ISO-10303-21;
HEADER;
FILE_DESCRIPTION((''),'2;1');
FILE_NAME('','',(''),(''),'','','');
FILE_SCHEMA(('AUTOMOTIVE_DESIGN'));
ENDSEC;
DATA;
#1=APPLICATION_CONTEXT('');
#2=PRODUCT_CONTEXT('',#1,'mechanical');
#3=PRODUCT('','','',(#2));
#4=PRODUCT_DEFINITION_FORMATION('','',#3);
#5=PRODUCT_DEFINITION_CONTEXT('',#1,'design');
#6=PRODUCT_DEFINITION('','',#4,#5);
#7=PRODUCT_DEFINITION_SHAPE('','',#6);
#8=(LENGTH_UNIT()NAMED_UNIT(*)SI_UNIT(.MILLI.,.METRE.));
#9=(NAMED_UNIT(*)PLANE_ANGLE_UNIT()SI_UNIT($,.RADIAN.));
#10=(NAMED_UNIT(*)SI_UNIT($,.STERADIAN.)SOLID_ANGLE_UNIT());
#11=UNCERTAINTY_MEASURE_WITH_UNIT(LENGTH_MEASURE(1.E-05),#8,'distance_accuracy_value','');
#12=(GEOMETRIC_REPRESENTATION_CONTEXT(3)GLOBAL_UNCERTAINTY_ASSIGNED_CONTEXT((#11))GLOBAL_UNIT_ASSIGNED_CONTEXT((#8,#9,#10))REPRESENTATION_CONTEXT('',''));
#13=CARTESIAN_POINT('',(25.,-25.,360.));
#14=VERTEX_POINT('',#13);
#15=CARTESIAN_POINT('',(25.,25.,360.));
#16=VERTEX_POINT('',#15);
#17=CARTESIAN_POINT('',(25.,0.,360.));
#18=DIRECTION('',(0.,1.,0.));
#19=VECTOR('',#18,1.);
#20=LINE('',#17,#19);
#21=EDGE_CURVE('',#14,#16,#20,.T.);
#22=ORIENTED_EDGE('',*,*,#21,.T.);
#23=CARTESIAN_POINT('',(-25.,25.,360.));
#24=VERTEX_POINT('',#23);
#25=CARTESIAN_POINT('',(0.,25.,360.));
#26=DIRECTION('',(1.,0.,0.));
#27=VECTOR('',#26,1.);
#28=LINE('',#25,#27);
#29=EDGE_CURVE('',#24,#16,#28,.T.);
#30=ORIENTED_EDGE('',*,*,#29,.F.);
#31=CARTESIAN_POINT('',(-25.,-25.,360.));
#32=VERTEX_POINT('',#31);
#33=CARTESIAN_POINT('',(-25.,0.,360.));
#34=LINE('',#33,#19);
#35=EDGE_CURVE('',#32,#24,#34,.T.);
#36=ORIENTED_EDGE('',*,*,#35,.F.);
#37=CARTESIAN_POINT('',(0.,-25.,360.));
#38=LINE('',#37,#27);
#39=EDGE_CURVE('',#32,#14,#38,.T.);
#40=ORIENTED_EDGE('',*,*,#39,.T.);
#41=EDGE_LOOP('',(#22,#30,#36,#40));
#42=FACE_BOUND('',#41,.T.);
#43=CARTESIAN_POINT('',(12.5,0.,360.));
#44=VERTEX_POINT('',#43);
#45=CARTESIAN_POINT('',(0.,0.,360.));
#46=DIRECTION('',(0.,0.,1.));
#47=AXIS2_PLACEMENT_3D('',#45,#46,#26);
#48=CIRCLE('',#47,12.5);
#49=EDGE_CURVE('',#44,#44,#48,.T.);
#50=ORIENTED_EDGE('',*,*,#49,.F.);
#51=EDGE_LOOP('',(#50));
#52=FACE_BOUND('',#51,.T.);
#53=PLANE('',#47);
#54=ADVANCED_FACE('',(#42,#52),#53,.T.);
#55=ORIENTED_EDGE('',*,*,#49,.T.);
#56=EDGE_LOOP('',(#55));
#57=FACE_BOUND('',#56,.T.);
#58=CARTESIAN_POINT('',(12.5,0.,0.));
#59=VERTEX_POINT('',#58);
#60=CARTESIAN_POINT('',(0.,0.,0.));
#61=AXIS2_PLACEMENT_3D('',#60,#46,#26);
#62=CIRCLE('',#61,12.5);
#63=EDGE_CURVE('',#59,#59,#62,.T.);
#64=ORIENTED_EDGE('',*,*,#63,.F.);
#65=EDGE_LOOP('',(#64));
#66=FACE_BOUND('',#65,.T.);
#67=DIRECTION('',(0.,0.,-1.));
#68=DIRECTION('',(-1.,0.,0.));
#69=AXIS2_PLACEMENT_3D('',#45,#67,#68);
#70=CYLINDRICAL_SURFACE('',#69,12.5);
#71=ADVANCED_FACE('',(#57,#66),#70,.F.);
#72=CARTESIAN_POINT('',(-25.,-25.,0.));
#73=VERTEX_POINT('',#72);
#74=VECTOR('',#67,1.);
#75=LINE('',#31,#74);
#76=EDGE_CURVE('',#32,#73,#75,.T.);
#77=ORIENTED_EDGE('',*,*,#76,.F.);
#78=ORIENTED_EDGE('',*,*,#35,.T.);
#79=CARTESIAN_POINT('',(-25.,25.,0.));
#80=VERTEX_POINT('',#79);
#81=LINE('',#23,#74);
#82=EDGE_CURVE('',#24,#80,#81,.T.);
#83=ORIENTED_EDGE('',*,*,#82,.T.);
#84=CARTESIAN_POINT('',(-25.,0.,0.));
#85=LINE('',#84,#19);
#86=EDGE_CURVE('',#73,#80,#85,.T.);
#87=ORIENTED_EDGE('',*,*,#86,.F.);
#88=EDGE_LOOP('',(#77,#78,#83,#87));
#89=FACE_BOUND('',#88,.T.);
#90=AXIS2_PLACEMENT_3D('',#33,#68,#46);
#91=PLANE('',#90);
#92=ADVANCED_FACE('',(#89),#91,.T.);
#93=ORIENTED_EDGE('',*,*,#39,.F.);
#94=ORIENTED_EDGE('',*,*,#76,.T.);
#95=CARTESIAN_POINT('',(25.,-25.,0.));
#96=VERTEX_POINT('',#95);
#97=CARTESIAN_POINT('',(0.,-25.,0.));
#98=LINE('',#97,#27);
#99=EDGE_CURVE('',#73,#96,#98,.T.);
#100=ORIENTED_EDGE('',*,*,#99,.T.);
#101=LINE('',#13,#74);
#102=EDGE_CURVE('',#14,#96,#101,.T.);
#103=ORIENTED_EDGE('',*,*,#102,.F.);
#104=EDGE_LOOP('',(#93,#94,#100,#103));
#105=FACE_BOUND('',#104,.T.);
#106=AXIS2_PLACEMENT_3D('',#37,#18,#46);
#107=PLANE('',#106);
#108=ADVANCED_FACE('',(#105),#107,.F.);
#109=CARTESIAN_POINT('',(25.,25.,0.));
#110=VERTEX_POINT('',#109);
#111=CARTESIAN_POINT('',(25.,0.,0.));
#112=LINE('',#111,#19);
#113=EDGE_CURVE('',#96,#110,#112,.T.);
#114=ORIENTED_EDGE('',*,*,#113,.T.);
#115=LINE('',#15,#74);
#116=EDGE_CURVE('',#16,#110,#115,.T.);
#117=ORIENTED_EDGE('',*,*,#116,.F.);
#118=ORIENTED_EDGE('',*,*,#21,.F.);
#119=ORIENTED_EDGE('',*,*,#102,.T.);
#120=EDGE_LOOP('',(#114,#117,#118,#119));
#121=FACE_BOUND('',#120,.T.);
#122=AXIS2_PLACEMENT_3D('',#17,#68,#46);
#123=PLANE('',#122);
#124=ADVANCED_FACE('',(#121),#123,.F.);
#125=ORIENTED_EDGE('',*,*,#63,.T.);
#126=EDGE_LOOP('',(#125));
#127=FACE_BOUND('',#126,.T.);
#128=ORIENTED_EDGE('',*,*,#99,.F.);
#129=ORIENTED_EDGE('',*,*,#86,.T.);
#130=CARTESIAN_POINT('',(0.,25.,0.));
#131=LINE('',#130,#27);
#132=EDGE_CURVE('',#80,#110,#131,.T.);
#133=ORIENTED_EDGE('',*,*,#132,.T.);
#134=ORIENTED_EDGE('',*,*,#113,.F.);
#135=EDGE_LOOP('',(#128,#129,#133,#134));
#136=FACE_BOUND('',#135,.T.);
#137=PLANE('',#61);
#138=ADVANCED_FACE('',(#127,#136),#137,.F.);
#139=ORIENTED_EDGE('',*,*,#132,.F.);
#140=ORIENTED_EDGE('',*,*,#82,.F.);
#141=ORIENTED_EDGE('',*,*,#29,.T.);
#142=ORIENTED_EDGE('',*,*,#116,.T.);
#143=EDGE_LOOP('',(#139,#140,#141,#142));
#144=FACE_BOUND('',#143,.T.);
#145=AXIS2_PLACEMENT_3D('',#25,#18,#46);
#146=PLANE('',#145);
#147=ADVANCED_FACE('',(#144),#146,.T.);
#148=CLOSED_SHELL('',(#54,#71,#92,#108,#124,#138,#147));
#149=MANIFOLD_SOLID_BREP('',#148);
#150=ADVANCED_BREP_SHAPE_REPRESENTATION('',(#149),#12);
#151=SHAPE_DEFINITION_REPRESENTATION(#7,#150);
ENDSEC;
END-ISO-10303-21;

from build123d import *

# Parameters (mm, degrees)
SKETCH1_W           = 50
SKETCH1_H           = 50
SKETCH1_R           = 12.5
BOSS_EXTRUDE1_DEPTH = 360


with BuildPart() as part:
    # Sketch1 → Boss-Extrude1 (new body)
    with BuildSketch(Plane.XY):
        Rectangle(SKETCH1_W, SKETCH1_H)
        Circle(SKETCH1_R, mode=Mode.SUBTRACT)
    extrude(amount=BOSS_EXTRUDE1_DEPTH)


solid = part.part
